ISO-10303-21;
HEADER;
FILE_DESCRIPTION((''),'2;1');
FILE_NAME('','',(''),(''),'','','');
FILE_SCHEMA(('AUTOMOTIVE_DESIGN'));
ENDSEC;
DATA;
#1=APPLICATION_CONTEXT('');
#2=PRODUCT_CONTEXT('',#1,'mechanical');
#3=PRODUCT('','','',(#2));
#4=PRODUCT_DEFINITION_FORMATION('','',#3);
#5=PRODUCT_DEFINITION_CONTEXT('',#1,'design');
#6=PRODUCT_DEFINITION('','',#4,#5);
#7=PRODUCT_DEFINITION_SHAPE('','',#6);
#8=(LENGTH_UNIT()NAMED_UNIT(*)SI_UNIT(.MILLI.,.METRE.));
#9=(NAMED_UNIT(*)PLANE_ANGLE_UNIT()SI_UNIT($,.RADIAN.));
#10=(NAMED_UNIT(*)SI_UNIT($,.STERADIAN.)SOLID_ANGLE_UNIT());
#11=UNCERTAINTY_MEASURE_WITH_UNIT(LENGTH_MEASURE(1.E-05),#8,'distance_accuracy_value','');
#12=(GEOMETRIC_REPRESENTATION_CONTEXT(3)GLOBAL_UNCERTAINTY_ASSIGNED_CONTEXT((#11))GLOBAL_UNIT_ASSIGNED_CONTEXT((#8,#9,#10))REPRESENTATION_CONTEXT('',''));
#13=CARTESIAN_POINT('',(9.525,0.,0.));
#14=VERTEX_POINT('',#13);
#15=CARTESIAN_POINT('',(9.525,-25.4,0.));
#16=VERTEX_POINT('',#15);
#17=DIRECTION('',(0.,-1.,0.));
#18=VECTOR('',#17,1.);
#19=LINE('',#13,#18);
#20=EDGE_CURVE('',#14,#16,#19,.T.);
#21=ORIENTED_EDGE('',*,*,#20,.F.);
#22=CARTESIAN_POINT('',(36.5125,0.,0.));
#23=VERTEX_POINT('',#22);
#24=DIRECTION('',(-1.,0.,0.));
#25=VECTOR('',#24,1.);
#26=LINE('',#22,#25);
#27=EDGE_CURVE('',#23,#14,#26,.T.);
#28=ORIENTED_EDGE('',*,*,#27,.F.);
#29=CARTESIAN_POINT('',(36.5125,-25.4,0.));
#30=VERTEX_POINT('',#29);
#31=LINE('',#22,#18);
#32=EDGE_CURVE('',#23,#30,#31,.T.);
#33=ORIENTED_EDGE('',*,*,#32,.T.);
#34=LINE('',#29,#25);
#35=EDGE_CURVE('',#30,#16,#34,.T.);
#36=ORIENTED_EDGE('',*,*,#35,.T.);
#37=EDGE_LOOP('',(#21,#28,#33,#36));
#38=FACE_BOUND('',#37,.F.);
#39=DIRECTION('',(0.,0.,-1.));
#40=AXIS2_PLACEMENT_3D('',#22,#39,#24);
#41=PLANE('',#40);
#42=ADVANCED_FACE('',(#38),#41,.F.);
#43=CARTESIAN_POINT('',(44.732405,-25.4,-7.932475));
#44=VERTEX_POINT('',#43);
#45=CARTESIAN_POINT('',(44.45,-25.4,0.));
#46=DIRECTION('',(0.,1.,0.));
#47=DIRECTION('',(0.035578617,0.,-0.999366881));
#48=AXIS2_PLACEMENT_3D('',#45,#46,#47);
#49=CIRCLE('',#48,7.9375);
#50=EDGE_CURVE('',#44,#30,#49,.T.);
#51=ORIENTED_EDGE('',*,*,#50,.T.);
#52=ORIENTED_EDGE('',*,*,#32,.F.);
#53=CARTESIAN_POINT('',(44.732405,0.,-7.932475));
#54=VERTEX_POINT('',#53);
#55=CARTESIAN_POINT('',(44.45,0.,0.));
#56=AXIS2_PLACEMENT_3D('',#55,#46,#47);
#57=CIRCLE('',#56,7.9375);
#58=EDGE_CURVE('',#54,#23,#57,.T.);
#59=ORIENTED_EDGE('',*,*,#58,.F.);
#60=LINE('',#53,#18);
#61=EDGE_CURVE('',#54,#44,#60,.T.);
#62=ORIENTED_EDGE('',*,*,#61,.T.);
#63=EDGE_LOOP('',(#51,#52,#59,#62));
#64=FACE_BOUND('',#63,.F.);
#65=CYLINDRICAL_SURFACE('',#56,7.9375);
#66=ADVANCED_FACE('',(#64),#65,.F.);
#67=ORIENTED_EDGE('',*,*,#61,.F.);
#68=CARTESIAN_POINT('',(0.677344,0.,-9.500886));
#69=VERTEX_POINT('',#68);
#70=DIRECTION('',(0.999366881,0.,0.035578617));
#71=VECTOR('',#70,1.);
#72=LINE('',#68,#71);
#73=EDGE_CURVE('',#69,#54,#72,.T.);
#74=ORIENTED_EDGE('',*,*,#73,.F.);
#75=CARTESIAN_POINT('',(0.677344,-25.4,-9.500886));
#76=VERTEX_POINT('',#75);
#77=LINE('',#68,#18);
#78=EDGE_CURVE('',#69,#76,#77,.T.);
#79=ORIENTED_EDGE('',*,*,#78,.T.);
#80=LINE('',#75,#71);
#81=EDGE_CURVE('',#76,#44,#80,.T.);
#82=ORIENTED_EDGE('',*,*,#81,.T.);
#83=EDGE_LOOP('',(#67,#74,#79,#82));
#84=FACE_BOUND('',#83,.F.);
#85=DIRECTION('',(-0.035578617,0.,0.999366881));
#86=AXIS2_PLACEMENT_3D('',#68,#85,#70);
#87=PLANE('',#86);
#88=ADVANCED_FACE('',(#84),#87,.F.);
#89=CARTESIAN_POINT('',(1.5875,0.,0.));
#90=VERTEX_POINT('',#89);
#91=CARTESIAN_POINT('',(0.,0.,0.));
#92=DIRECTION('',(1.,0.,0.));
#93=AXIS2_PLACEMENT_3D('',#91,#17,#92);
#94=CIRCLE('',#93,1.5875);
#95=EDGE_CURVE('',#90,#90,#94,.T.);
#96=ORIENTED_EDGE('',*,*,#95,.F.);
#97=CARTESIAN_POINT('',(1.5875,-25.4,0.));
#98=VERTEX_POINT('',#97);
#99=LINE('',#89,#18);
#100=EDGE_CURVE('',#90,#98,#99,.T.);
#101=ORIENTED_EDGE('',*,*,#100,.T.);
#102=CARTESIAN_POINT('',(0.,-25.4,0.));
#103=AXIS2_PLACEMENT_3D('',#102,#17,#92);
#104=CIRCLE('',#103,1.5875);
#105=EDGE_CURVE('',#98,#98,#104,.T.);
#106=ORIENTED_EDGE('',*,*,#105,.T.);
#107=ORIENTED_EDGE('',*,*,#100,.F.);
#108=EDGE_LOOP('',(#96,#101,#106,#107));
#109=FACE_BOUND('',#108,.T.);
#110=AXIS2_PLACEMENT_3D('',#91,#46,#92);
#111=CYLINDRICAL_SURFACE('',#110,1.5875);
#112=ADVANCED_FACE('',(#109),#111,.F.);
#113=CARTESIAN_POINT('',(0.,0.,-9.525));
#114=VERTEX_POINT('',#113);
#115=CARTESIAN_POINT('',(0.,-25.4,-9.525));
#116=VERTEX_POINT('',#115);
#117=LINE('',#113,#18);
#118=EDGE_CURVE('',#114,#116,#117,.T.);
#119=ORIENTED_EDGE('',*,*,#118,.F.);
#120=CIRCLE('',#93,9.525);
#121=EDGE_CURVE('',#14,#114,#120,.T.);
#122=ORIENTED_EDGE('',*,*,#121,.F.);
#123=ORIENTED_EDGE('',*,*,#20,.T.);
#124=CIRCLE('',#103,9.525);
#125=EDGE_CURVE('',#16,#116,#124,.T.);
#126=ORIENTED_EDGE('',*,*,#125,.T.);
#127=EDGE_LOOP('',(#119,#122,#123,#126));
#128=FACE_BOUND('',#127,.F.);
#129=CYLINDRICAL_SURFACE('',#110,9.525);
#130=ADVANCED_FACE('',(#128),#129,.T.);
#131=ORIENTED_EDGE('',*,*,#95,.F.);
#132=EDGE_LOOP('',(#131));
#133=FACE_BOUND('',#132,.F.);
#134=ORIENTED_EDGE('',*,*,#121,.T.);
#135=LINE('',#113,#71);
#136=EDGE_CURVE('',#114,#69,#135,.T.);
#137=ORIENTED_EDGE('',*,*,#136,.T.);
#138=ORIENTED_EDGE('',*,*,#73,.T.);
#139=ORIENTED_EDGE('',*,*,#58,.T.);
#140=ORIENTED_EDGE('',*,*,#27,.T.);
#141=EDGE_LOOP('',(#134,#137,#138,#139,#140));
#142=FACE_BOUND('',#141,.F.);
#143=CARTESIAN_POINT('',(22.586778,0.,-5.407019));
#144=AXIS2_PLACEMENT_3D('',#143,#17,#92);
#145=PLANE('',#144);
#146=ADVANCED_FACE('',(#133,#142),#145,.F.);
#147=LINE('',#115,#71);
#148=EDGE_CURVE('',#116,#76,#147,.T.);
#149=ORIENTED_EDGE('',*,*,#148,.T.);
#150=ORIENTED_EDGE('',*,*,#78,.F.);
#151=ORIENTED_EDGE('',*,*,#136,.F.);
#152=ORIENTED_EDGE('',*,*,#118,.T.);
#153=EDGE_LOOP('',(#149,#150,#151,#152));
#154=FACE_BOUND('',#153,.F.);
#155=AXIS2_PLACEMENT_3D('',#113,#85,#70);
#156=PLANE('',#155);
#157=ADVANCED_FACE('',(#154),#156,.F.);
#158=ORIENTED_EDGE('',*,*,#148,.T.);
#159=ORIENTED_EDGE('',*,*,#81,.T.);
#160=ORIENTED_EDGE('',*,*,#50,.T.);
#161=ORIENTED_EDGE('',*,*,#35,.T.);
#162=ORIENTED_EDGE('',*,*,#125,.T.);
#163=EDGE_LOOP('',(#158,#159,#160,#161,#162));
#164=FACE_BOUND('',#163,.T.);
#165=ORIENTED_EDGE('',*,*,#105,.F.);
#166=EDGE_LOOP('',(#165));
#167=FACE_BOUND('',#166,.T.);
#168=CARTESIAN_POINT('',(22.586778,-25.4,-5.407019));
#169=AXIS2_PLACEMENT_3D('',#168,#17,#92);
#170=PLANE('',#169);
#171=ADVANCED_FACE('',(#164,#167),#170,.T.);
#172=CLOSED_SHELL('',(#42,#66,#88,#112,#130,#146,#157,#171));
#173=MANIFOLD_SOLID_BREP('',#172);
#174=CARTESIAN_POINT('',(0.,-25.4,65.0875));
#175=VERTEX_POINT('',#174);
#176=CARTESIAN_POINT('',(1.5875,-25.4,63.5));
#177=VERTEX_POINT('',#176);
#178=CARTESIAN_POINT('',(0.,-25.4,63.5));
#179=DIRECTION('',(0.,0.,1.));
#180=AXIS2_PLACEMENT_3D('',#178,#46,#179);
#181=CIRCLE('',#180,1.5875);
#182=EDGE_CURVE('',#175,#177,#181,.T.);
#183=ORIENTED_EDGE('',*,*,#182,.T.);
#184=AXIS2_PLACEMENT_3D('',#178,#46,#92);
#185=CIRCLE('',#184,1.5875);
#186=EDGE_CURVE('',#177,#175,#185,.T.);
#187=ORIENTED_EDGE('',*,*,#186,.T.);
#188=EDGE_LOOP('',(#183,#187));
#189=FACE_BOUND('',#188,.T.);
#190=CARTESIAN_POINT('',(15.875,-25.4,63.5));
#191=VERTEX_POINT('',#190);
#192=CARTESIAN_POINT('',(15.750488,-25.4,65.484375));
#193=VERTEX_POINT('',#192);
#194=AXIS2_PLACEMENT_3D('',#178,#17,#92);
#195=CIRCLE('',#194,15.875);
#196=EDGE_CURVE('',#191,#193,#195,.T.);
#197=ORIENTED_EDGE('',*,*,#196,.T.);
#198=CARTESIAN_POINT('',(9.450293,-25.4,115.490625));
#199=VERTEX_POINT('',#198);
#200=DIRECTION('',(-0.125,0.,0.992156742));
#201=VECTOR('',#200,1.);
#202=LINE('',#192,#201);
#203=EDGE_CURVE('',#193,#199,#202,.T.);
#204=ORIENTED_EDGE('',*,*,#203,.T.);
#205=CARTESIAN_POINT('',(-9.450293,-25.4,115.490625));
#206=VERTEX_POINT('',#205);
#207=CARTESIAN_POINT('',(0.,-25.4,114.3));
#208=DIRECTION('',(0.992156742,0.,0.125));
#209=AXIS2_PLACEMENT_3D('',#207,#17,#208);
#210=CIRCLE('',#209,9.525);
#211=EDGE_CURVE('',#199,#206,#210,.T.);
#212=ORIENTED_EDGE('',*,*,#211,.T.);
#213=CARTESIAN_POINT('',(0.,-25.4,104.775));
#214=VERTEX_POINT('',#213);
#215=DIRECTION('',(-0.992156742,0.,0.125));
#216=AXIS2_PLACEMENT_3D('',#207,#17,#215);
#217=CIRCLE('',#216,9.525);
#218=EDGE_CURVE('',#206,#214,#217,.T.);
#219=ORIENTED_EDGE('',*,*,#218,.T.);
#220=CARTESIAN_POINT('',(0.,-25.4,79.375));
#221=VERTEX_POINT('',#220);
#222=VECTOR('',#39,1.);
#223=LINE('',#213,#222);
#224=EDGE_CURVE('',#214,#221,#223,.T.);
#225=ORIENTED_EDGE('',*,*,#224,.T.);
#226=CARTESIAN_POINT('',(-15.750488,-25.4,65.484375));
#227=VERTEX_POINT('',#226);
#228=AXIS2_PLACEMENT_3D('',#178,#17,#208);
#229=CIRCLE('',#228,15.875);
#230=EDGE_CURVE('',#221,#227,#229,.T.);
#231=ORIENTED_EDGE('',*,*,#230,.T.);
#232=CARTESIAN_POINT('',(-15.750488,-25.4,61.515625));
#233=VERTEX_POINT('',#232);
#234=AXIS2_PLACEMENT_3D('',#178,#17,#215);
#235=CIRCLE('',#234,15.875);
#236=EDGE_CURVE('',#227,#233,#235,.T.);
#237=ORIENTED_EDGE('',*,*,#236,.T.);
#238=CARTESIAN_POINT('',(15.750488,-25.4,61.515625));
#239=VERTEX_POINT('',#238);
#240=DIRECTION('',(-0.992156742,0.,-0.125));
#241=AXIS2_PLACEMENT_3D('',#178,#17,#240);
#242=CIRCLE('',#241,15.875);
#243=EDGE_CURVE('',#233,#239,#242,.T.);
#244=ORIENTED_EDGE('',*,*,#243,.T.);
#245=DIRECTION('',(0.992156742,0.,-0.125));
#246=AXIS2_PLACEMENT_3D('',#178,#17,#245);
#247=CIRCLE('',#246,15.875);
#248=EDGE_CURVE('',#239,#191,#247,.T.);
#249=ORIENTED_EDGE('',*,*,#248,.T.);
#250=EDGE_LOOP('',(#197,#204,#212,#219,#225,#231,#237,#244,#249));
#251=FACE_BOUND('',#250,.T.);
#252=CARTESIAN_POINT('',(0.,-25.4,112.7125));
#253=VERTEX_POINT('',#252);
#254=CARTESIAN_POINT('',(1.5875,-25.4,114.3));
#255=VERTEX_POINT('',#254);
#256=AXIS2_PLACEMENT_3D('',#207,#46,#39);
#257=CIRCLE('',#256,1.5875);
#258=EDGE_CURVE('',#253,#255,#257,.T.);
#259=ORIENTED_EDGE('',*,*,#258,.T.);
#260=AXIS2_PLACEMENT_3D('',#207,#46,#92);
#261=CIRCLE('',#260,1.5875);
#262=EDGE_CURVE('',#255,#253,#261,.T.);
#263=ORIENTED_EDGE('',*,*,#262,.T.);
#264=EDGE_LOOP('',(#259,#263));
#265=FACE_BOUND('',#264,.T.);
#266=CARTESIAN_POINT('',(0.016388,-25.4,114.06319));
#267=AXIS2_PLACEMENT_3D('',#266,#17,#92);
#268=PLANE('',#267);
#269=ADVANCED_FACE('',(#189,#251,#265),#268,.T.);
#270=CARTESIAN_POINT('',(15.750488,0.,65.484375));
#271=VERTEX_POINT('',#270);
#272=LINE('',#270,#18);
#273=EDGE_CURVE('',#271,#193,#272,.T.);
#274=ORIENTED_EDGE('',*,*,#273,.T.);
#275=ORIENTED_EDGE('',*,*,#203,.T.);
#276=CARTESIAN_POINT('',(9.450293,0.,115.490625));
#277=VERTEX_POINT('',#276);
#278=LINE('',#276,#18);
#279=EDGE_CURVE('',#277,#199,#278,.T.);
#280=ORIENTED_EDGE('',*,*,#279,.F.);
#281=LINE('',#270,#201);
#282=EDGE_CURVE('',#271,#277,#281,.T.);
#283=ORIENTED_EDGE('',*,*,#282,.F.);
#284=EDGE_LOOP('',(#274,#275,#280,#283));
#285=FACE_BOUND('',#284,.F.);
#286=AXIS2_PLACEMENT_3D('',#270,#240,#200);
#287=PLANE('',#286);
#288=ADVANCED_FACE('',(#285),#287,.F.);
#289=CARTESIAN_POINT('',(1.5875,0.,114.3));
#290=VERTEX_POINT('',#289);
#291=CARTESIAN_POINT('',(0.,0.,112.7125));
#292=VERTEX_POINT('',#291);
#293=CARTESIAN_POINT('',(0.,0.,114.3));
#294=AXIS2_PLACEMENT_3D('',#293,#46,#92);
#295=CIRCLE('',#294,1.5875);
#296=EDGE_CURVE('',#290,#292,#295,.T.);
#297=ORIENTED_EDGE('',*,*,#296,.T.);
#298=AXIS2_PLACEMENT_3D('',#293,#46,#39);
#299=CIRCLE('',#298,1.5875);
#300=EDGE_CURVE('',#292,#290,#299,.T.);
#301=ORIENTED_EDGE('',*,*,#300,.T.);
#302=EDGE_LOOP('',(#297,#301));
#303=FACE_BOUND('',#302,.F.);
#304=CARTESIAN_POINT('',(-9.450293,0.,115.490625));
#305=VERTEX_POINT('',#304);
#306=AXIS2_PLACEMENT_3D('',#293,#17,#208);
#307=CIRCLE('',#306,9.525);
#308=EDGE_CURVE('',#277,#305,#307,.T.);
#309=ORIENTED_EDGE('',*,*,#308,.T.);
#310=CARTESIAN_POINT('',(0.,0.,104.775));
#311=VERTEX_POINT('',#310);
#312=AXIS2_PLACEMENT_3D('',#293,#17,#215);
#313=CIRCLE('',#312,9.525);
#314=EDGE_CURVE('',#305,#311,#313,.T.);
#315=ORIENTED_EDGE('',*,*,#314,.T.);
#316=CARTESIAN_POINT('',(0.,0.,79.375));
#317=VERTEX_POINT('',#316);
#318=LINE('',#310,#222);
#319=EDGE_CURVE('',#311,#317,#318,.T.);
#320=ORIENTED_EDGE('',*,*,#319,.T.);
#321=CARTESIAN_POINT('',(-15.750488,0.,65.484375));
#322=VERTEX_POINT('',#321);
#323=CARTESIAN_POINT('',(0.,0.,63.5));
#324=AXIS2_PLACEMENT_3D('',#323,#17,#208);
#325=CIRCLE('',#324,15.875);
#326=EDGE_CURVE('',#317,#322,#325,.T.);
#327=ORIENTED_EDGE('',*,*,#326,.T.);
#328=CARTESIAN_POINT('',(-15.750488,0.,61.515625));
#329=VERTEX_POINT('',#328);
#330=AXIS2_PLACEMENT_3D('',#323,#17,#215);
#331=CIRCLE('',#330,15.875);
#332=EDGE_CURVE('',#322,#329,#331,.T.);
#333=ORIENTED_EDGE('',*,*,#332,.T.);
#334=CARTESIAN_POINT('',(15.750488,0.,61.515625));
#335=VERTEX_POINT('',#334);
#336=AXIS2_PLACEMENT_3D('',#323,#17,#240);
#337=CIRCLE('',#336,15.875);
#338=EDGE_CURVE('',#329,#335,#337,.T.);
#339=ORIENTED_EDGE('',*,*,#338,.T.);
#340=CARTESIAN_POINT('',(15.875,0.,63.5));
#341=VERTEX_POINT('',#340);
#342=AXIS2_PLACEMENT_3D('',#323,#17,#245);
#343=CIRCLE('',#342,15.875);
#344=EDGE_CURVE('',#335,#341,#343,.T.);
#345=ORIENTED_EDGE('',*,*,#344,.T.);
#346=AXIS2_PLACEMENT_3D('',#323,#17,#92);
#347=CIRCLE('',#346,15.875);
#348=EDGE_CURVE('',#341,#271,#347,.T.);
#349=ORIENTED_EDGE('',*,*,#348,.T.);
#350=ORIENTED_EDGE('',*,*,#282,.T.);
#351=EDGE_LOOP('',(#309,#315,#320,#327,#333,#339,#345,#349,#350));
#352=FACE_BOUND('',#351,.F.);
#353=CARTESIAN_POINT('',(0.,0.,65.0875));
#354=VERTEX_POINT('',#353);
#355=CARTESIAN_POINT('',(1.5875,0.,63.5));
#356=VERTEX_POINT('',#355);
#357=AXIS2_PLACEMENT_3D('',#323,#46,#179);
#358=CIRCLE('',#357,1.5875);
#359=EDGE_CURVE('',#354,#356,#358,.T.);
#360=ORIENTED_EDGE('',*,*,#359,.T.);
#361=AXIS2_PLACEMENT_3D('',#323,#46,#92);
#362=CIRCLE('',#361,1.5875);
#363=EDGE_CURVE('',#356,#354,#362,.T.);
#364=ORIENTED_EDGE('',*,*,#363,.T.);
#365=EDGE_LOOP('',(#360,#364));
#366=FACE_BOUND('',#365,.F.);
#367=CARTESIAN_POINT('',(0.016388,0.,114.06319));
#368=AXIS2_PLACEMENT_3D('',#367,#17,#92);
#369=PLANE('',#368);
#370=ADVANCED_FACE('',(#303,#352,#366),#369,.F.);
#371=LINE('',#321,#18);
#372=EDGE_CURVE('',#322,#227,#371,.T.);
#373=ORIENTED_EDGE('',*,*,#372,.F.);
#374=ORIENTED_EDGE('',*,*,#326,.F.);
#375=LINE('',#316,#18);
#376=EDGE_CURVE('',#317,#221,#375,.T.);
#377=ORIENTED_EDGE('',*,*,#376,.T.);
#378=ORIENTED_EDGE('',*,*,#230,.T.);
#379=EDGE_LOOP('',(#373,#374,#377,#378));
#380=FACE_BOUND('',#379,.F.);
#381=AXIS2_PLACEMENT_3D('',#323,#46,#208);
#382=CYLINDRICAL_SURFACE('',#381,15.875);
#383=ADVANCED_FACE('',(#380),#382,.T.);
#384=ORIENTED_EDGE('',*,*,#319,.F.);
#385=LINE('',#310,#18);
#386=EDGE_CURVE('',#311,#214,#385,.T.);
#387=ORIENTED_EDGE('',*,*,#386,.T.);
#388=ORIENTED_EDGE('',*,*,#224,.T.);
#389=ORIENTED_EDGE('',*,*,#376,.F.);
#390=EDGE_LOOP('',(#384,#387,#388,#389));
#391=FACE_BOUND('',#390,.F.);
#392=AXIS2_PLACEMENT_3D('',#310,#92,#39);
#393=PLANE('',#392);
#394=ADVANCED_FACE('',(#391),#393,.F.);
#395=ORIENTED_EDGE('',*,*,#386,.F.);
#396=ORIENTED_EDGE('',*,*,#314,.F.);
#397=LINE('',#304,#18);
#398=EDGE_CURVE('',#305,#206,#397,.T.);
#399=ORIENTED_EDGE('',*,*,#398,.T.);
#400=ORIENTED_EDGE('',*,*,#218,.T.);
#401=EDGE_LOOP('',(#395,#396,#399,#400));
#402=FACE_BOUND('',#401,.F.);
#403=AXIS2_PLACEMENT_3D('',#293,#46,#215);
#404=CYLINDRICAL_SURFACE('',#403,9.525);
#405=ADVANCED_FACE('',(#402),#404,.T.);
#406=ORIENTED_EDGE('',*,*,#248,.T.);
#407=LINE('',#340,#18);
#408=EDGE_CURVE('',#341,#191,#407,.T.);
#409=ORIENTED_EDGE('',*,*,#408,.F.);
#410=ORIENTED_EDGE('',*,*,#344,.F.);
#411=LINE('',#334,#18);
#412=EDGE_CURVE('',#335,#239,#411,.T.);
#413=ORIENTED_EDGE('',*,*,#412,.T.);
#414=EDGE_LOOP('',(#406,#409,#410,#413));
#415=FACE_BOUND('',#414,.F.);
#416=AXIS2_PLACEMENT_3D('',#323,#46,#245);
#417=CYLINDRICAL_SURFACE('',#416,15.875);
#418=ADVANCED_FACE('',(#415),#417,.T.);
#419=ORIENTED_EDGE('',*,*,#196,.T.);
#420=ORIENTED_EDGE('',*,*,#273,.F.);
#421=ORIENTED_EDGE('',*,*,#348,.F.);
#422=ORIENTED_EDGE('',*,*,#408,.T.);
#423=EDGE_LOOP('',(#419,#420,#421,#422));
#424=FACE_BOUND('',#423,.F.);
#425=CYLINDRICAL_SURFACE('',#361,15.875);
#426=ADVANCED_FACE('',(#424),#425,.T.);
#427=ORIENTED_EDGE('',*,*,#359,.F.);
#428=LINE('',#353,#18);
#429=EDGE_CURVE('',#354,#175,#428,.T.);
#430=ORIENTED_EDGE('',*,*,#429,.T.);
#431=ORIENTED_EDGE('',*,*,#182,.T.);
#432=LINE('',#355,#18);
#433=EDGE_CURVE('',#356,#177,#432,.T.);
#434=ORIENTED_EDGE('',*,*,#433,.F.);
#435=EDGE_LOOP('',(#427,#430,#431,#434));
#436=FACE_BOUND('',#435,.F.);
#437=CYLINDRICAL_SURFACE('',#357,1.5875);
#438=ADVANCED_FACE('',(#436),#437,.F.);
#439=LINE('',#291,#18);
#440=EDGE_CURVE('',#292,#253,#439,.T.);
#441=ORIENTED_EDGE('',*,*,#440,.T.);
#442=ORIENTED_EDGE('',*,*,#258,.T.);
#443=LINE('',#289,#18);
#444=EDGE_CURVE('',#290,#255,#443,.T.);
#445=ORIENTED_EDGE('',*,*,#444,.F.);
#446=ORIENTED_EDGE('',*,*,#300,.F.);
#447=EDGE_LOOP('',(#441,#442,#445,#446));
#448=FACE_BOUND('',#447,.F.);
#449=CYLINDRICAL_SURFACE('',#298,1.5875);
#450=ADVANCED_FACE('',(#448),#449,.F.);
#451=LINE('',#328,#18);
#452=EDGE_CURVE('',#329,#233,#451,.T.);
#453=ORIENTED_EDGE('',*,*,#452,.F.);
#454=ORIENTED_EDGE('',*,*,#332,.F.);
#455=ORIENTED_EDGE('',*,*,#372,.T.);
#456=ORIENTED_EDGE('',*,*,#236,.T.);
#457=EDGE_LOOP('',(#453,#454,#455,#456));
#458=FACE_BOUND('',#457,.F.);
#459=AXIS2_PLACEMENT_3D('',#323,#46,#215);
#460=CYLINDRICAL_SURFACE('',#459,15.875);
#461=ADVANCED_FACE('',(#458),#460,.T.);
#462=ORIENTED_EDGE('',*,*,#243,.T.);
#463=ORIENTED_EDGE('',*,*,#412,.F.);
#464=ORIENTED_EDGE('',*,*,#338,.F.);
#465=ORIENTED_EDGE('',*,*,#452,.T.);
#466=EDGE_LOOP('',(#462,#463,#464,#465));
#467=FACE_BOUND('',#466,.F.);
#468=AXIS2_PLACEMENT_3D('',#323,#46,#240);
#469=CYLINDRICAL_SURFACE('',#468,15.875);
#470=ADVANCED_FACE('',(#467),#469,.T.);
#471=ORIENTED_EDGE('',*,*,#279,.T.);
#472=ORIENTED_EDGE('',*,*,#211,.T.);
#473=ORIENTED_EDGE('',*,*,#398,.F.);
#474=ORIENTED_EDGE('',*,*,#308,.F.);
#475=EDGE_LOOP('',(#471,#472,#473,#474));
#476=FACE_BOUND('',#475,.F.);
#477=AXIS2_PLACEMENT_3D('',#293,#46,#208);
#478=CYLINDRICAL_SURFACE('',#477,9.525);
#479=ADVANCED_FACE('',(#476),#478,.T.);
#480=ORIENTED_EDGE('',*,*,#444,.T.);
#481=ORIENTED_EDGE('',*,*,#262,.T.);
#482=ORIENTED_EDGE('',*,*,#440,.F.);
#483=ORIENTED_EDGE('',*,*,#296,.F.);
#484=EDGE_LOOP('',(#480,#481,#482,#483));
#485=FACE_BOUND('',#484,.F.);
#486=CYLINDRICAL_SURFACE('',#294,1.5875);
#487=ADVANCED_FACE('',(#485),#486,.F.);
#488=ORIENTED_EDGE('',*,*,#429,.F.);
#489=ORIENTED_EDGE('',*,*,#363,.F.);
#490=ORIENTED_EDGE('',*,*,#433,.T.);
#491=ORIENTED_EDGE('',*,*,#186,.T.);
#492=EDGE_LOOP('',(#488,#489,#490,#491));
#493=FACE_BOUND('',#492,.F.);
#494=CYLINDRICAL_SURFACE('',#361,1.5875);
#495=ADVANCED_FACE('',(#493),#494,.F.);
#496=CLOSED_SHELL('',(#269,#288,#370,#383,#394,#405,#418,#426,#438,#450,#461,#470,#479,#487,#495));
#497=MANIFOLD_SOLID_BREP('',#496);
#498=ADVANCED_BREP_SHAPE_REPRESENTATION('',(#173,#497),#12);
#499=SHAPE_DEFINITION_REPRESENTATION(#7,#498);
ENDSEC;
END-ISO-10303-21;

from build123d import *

# Parameters (mm, degrees)
F1_DEPTH = 25.4
F0_R     = 1.5875


with BuildPart() as f1:
    # F0 (on Front) → F1 (new body)
    with BuildSketch(Plane.XZ):
        with BuildLine():
            ThreePointArc((-9.4502929642, 115.490625), (-7.14375, 107.9998046905), (0, 104.775))
            ThreePointArc((0, 104.775), (6.7351920908, 107.5648079092), (9.525, 114.3))
            ThreePointArc((9.525, 114.3), (9.5063048942, 114.896483242), (9.4502929642, 115.490625))
            ThreePointArc((9.4502929642, 115.490625), (0, 123.825), (-9.4502929642, 115.490625))
        make_face()
        with BuildLine():
            ThreePointArc((1.5875, 114.3), (1.1225320151, 113.1774679849), (0, 112.7125))
            ThreePointArc((0, 112.7125), (-1.1225320151, 115.4225320151), (1.5875, 114.3))
        make_face(mode=Mode.SUBTRACT)
        with BuildLine():
            ThreePointArc((9.525, 114.3), (6.7351920908, 107.5648079092), (0, 104.775))
            Line((0, 104.775), (0, 79.375))
            ThreePointArc((0, 79.375), (10.5003255158, 75.40625), (15.7504882737, 65.484375))
            Line((15.7504882737, 65.484375), (9.4502929642, 115.490625))
            ThreePointArc((9.4502929642, 115.490625), (9.5063048942, 114.896483242), (9.525, 114.3))
        make_face()
        with BuildLine():
            ThreePointArc((15.7504882737, 65.484375), (10.5003255158, 75.40625), (0, 79.375))
            ThreePointArc((0, 79.375), (-10.5003255158, 75.40625), (-15.7504882737, 65.484375))
            ThreePointArc((-15.7504882737, 65.484375), (-15.875, 63.5), (-15.7504882737, 61.515625))
            ThreePointArc((-15.7504882737, 61.515625), (0, 47.625), (15.7504882737, 61.515625))
            ThreePointArc((15.7504882737, 61.515625), (15.8438414904, 62.5058612634), (15.875, 63.5))
            ThreePointArc((15.875, 63.5), (15.8438414904, 64.4941387366), (15.7504882737, 65.484375))
        make_face()
        with BuildLine():
            ThreePointArc((1.5875, 63.5), (-1.1225320151, 62.3774679849), (0, 65.0875))
            ThreePointArc((0, 65.0875), (1.1225320151, 64.6225320151), (1.5875, 63.5))
        make_face(mode=Mode.SUBTRACT)
    extrude(amount=F1_DEPTH)


with BuildPart() as f1b:
    # F0 (on Front) → F1, piece 2 (new body)
    with BuildSketch(Plane.XZ):
        with BuildLine():
            ThreePointArc((44.7324052746, -7.9324746146), (38.9380895153, -5.7116327839), (36.5125, 0))
            Line((36.5125, 0), (9.525, 0))
            ThreePointArc((9.525, 0), (6.9705567315, -6.4912990883), (0.6773435479, -9.500885786))
            Line((0.6773435479, -9.500885786), (44.7324052746, -7.9324746146))
        make_face()
        with BuildLine():
            ThreePointArc((0.6773435479, -9.500885786), (6.9705567315, -6.4912990883), (9.525, 0))
            ThreePointArc((9.525, 0), (-6.7351920908, 6.7351920908), (0, -9.525))
            Line((0, -9.525), (0.6773435479, -9.500885786))
        make_face()
        Circle(F0_R, mode=Mode.SUBTRACT)
    extrude(amount=F1_DEPTH)


solid = Compound([f1.part, f1b.part])
